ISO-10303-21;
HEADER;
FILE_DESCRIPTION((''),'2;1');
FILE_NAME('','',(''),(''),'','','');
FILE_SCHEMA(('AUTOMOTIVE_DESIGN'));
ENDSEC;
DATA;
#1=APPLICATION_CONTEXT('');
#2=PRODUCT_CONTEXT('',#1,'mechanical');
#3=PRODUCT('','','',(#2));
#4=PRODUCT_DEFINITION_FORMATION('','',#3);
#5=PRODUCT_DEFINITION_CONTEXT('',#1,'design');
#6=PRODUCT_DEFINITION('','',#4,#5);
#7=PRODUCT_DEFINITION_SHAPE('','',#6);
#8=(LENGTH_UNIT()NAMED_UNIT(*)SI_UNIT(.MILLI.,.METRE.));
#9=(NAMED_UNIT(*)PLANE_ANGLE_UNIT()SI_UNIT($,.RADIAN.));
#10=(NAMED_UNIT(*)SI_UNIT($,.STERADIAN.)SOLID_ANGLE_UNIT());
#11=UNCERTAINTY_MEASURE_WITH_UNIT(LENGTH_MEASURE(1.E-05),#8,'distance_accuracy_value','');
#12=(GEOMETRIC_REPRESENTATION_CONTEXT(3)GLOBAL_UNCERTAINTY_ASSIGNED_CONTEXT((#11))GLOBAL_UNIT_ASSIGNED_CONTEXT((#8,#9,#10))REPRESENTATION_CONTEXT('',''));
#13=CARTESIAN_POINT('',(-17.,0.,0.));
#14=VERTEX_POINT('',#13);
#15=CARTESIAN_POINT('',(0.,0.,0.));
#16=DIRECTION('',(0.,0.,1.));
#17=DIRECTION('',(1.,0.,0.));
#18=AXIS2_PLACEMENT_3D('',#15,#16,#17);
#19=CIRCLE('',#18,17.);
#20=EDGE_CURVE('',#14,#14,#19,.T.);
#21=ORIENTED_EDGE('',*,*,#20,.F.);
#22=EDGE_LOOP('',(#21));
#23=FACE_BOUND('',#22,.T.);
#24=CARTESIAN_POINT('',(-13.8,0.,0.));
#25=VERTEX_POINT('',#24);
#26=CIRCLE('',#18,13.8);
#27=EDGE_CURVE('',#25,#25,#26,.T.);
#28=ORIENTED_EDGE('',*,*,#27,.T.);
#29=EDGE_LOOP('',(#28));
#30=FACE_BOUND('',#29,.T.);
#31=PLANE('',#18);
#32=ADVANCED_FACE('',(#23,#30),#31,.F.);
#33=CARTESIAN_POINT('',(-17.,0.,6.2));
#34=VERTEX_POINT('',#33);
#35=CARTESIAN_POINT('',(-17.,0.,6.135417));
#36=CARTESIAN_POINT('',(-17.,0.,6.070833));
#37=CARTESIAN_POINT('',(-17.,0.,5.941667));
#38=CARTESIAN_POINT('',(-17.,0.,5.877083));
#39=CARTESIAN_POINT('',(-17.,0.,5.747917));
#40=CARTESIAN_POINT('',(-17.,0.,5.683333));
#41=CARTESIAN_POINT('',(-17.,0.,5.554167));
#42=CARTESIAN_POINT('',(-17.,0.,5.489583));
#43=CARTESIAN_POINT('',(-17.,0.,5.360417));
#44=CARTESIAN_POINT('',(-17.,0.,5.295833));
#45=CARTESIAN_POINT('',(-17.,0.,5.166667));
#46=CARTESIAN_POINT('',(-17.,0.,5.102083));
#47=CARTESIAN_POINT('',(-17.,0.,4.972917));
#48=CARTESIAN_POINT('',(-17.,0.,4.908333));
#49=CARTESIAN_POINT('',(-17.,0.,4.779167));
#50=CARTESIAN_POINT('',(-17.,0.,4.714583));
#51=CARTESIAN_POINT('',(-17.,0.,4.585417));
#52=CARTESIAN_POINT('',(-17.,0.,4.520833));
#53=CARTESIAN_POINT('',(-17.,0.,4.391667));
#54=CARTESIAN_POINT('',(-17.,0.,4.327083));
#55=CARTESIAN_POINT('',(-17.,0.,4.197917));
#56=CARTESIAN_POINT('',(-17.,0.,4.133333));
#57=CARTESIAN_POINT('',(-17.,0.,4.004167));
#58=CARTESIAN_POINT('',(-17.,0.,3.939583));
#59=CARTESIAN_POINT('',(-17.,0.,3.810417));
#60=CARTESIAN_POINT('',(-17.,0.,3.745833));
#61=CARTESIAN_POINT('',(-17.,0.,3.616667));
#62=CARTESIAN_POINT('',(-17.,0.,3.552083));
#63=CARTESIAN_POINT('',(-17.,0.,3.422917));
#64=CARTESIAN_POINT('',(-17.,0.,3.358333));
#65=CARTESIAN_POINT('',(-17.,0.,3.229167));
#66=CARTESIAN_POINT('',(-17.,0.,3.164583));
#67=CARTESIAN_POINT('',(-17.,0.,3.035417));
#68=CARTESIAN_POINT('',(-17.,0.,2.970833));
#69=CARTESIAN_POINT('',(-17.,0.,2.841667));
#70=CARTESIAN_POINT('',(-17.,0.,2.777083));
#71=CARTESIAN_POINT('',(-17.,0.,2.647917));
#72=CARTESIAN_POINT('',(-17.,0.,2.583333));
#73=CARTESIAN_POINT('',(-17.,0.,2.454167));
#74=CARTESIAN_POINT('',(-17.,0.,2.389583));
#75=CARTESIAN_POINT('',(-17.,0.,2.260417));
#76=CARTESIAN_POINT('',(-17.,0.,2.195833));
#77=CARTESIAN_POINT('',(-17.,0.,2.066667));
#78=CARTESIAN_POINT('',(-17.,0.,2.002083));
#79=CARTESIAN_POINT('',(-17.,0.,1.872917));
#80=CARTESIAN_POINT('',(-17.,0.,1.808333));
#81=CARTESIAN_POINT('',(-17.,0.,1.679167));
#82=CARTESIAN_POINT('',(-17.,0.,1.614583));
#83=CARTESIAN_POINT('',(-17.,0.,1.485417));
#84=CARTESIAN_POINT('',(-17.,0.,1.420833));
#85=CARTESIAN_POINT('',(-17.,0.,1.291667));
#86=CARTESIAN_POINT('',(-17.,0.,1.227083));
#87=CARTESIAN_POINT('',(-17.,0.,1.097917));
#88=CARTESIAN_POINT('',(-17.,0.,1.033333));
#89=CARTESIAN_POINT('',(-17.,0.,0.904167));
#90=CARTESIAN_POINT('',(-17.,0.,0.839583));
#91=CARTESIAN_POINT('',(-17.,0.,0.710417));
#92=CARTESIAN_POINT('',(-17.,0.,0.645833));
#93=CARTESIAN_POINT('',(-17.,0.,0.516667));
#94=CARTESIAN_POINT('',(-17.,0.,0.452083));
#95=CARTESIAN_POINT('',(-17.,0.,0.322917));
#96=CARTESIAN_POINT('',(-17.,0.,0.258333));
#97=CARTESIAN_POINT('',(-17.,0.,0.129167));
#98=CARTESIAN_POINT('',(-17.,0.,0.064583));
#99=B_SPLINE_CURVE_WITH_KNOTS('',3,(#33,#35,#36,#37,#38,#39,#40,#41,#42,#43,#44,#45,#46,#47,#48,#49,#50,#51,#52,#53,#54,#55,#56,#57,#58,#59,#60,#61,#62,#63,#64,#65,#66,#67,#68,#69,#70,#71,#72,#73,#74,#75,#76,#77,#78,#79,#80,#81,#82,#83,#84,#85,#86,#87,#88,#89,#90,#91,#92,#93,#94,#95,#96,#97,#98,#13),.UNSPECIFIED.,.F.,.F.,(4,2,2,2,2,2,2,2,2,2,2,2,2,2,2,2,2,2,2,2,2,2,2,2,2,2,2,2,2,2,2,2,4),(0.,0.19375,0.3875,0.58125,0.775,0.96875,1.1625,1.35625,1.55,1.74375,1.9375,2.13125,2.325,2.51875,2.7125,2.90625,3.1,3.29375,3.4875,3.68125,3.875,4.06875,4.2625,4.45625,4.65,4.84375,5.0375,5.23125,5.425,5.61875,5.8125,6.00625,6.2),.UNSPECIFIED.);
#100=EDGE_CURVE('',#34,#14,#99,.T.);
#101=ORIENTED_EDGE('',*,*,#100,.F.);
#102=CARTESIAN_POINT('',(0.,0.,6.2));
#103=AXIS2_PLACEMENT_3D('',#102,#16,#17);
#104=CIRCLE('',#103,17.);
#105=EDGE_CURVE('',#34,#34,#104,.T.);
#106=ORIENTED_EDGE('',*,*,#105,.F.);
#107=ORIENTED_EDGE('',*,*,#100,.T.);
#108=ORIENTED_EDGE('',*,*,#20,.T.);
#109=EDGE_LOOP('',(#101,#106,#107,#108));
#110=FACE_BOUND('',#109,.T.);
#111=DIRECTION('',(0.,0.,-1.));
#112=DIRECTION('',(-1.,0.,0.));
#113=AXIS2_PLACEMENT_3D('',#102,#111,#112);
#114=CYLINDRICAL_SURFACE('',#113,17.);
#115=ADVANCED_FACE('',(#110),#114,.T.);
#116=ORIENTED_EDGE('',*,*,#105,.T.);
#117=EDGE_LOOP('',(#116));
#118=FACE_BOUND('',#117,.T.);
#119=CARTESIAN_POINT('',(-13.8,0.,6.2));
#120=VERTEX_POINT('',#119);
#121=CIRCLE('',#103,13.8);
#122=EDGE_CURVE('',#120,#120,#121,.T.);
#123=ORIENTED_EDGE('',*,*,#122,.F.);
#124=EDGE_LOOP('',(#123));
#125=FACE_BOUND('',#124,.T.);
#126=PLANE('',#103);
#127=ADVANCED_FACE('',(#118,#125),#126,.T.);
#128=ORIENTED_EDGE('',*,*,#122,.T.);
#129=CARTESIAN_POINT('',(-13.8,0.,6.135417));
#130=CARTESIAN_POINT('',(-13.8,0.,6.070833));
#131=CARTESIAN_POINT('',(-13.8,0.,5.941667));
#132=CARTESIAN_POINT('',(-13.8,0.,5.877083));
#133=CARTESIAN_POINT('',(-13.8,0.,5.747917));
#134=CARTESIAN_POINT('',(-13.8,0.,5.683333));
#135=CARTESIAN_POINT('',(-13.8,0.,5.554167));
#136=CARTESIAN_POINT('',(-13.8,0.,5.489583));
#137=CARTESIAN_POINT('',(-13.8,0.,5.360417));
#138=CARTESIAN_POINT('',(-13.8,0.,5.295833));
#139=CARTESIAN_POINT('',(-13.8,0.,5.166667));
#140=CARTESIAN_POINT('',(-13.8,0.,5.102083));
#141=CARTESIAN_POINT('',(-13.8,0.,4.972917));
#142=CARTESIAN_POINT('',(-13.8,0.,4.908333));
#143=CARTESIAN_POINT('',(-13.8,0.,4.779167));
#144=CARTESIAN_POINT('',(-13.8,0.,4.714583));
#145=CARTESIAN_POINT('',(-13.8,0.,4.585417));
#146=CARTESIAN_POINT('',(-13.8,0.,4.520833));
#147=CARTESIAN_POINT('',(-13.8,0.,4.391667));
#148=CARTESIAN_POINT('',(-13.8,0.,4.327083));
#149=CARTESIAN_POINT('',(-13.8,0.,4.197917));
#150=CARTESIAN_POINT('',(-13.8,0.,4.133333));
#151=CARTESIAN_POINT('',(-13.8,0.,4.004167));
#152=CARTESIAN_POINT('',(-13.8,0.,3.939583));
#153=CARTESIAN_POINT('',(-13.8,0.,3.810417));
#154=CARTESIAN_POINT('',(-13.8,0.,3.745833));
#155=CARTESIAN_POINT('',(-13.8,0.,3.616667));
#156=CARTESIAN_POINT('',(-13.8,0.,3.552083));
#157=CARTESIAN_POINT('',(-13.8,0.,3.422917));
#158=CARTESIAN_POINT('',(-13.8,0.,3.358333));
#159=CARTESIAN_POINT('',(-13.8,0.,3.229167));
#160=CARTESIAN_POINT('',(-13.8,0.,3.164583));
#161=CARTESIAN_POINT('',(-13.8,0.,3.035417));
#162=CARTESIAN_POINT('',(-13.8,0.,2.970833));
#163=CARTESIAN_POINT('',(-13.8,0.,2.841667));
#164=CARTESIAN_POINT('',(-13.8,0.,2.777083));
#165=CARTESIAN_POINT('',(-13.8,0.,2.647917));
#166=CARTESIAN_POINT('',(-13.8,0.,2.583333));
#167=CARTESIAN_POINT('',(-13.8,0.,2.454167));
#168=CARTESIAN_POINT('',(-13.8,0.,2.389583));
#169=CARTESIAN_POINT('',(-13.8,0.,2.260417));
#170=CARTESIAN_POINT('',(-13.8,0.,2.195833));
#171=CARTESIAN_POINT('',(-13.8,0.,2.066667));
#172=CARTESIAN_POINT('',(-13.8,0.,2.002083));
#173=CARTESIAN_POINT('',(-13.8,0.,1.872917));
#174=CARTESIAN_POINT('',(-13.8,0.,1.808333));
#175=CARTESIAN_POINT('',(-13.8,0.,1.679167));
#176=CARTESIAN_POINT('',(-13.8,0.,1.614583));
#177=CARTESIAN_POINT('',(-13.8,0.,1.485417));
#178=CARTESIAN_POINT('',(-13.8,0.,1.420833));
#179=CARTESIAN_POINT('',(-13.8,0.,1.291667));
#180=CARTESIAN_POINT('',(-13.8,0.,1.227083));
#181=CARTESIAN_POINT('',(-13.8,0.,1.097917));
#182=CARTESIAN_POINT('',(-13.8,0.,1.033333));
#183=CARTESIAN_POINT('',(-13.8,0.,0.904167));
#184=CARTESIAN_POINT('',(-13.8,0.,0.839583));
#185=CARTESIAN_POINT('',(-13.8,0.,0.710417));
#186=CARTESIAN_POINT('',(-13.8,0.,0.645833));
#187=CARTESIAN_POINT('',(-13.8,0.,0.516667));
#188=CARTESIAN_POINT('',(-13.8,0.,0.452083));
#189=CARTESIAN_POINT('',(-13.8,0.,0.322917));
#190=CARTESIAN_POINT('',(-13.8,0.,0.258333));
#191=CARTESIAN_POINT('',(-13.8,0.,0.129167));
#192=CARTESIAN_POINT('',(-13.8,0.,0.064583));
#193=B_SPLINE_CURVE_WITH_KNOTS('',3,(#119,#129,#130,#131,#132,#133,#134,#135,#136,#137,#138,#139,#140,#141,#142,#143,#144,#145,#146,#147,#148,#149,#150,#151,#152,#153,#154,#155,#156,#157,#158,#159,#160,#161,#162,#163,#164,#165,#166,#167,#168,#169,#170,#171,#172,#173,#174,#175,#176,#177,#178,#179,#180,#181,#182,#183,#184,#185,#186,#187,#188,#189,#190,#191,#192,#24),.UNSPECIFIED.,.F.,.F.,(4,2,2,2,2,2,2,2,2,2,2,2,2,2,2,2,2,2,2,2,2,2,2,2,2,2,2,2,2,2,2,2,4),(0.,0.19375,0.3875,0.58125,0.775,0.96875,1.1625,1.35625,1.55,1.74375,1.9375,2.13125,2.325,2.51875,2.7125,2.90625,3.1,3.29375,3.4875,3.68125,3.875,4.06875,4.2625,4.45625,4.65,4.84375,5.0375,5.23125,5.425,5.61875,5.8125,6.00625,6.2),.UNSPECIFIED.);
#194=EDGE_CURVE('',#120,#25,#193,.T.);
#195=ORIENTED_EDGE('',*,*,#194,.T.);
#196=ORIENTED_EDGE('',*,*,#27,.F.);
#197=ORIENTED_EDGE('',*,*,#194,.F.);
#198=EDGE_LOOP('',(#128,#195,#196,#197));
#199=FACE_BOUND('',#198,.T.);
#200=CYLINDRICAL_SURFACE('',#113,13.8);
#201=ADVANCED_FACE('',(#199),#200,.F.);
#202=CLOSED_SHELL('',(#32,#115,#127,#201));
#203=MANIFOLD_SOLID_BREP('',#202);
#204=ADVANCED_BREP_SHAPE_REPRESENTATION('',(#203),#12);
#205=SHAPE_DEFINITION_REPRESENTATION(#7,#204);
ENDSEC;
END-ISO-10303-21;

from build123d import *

# Parameters (mm, degrees)
SKETCH_1_R      = 17
SKETCH_1_R_2    = 13.8
EXTRUDE_1_DEPTH = 6.2


with BuildPart() as part:
    # 스케치1 → 보스-돌출1 (new body)
    with BuildSketch(Plane.XY):
        with Locations(Location((0, 0, 0), (0, 0, 180))):
            Circle(SKETCH_1_R)
        with Locations(Location((0, 0, 0), (0, 0, 180))):
            Circle(SKETCH_1_R_2, mode=Mode.SUBTRACT)
    extrude(amount=EXTRUDE_1_DEPTH)


solid = part.part
